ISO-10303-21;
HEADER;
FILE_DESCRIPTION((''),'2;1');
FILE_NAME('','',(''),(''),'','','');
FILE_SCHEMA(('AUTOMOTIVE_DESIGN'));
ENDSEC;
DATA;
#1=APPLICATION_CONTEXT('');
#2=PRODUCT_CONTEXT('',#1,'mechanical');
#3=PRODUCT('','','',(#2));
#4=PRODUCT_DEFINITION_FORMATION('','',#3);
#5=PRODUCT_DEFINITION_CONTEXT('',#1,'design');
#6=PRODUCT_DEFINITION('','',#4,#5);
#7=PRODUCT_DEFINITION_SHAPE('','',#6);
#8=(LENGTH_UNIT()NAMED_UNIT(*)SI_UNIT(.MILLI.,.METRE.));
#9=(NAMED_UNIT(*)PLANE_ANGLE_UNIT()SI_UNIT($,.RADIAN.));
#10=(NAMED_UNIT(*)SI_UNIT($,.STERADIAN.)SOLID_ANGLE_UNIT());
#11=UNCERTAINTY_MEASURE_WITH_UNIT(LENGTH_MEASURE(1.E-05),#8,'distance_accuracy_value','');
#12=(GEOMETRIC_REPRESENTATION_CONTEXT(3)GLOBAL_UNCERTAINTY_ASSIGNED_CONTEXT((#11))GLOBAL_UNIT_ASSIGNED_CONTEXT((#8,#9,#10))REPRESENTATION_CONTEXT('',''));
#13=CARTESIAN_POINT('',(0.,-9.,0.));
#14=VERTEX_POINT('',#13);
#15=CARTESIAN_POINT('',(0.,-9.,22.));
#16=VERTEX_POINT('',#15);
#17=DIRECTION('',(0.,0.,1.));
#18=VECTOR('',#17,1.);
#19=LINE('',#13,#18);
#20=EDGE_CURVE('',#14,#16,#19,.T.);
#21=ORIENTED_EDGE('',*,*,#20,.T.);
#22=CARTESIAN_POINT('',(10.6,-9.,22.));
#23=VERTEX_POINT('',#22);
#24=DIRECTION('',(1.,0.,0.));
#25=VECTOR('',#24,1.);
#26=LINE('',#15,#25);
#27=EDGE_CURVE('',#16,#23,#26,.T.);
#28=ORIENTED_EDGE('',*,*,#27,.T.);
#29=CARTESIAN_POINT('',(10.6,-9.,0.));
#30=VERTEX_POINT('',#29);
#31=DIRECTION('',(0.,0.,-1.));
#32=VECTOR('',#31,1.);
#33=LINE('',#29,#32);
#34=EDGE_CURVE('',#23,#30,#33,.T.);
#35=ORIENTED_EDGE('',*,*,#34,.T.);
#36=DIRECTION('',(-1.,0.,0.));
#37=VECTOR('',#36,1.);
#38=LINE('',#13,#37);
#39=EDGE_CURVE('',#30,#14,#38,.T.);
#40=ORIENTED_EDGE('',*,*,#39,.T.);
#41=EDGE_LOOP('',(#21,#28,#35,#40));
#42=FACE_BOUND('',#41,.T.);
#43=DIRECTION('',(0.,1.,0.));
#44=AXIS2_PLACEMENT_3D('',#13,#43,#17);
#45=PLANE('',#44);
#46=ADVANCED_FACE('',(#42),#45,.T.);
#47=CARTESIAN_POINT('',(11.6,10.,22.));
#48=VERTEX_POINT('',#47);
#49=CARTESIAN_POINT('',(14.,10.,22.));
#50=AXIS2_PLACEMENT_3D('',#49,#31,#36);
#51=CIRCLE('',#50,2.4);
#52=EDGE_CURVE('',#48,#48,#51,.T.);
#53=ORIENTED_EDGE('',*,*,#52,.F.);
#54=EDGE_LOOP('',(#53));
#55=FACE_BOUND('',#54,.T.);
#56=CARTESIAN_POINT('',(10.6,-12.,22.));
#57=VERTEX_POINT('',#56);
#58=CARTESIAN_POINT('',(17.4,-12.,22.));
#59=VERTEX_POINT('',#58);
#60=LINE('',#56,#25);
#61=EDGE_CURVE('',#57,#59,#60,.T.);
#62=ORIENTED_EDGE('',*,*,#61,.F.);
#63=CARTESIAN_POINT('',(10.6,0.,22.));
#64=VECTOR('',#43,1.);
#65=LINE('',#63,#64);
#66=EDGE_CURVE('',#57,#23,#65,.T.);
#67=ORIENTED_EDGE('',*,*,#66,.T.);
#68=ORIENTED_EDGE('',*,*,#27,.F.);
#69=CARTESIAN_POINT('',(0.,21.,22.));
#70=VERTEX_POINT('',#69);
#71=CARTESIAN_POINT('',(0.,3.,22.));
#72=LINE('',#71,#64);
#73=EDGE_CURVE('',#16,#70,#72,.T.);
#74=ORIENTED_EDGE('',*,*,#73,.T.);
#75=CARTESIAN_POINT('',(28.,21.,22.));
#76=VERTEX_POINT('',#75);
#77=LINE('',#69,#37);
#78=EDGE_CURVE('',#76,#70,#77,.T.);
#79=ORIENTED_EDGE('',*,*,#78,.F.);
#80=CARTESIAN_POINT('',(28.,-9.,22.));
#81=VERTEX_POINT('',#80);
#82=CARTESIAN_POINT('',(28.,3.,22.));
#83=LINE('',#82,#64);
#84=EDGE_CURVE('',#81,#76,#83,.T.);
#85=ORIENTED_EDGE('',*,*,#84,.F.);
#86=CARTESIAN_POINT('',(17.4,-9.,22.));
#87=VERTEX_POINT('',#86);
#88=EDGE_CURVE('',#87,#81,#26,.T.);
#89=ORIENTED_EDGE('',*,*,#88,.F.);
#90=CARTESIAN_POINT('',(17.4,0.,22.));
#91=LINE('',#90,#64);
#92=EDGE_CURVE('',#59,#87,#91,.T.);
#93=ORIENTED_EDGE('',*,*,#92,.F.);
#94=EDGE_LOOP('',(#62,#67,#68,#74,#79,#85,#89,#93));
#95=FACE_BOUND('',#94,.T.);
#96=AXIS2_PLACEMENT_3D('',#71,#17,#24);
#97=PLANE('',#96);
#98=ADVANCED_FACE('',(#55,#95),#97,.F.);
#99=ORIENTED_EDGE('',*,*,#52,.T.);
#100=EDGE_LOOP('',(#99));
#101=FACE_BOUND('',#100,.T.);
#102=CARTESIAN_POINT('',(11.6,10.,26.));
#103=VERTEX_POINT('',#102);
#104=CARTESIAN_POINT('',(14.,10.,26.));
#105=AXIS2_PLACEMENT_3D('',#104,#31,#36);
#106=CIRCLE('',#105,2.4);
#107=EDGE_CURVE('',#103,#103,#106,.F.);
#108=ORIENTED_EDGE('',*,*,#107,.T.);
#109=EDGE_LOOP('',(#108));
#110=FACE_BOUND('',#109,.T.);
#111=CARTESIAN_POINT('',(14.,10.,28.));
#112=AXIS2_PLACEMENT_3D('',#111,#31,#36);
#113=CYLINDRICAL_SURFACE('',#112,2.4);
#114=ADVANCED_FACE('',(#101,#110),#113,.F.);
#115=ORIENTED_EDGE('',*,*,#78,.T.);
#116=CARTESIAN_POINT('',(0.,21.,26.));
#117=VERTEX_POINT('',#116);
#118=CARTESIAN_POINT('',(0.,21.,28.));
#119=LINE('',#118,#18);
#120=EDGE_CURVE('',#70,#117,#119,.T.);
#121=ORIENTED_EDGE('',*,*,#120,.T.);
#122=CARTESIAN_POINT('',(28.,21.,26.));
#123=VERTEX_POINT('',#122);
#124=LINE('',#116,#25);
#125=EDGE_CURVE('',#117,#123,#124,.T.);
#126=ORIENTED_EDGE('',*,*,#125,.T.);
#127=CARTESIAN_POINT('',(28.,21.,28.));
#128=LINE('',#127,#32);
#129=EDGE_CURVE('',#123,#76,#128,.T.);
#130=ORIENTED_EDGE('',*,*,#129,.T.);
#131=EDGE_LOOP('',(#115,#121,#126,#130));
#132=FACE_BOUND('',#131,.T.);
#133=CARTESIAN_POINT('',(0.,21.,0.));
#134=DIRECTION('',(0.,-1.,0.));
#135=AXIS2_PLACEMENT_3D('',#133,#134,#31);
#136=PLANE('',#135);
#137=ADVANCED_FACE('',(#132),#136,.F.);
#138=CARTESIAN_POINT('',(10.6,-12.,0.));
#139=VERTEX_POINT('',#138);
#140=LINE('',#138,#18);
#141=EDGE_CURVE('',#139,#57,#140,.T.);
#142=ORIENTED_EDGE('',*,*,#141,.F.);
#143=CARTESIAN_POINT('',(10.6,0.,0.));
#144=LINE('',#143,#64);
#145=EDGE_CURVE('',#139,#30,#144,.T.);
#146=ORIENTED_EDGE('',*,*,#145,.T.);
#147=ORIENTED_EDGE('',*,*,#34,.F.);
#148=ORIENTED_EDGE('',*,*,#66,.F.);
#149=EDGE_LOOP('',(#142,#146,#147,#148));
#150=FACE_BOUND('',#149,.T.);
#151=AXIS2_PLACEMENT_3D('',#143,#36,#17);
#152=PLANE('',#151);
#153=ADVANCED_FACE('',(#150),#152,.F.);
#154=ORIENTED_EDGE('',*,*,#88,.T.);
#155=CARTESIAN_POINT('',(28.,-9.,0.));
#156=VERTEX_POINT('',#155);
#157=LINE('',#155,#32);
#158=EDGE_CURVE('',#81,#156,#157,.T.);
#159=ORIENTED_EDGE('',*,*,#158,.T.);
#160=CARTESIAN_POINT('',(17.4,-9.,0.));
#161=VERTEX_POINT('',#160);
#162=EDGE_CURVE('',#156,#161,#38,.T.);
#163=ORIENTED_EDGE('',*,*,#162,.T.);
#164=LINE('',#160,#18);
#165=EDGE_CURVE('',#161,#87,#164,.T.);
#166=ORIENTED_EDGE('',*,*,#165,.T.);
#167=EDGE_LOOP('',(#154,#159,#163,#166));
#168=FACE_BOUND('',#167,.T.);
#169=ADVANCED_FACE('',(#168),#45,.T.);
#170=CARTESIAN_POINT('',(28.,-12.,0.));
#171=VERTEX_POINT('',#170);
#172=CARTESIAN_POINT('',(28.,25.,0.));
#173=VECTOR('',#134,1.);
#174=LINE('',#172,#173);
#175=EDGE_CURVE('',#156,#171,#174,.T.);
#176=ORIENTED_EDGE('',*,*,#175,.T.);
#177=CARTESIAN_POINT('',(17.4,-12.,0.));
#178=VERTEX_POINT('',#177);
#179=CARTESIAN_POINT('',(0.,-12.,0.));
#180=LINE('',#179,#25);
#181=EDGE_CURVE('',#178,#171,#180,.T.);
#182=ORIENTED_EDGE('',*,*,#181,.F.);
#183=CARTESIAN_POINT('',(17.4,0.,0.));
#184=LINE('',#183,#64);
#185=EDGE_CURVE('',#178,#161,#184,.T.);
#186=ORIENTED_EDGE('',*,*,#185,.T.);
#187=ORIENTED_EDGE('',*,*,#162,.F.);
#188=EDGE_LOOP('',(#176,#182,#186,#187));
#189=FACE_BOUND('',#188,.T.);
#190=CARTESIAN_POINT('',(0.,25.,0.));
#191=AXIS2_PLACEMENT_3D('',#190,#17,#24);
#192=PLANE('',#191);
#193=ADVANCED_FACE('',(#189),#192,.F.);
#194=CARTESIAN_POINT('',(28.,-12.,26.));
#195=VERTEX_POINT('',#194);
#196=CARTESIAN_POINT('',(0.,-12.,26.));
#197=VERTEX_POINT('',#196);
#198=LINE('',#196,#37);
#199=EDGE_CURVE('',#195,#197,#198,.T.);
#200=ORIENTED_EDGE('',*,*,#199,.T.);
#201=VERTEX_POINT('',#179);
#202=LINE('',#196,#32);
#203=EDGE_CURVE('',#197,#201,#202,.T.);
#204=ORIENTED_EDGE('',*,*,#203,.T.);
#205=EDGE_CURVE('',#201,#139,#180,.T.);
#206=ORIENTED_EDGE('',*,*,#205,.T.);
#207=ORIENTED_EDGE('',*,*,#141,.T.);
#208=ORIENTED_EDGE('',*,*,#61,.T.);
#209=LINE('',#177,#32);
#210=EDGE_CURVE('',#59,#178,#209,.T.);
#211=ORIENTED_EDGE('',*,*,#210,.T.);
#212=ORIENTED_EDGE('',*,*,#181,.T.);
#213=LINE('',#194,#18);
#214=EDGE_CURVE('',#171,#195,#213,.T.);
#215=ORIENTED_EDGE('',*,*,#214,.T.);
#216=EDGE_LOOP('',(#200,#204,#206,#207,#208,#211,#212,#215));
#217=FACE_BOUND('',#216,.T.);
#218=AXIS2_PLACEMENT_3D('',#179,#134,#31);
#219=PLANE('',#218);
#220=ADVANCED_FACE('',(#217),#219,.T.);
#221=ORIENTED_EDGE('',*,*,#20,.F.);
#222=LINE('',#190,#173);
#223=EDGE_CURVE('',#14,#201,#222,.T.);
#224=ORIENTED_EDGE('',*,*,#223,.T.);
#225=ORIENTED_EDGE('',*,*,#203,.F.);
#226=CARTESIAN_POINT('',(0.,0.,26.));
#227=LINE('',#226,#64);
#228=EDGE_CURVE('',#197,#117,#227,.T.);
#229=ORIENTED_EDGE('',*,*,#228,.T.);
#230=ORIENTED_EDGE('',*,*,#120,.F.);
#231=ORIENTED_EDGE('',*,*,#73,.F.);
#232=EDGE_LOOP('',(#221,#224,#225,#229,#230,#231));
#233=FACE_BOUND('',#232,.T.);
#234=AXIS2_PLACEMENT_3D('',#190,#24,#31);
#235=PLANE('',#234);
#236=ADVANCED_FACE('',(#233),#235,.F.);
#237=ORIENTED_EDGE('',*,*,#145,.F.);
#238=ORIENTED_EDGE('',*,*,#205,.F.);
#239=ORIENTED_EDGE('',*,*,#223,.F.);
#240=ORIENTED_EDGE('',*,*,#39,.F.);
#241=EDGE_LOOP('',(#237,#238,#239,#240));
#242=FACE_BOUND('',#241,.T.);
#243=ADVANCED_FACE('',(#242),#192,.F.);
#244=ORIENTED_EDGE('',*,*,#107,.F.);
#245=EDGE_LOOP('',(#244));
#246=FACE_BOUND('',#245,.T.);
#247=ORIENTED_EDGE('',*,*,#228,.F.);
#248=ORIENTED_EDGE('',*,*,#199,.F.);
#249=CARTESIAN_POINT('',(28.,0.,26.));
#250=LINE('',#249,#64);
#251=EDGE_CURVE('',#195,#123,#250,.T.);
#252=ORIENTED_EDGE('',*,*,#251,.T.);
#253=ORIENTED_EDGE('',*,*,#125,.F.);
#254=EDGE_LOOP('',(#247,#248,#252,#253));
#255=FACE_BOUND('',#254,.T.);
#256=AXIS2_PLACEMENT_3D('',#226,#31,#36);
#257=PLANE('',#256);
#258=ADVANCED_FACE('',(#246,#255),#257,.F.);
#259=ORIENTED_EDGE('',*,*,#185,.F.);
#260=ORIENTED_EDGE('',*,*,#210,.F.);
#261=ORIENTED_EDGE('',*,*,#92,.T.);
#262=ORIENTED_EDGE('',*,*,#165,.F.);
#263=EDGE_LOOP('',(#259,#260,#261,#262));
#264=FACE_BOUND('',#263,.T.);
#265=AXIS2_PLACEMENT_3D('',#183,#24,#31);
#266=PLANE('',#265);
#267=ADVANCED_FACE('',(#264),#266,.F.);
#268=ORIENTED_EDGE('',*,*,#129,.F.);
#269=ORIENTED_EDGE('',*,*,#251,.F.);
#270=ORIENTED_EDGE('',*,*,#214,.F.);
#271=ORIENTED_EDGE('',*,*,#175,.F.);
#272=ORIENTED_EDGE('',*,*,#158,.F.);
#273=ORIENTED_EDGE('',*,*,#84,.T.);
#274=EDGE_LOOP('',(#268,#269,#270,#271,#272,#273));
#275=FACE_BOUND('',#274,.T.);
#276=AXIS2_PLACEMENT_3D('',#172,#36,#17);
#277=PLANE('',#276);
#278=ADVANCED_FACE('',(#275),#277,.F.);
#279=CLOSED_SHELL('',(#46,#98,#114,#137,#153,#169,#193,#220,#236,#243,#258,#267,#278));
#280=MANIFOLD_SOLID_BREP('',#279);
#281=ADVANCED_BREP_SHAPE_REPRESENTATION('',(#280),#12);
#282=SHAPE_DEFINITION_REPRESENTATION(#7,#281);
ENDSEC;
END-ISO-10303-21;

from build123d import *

# Parameters (mm, degrees)
SKETCH1_W           = 28
SKETCH1_H           = 28
BOSS_EXTRUDE1_DEPTH = 25
SKETCH2_W           = 28
SKETCH2_H           = 22
CUT_EXTRUDE1_DEPTH  = 22
SKETCH3_W           = 6.8
SKETCH3_H           = 22
CUT_EXTRUDE2_DEPTH  = 46.299006612
SKETCH4_R           = 2.4
CUT_EXTRUDE3_DEPTH  = 44.508619836
SKETCH5_W           = 28
SKETCH5_H           = 6
CUT_EXTRUDE4_DEPTH  = 4
SKETCH6_W           = 2
SKETCH6_H           = 21
CUT_EXTRUDE5_DEPTH  = 45.821869662
SKETCH7_W           = 28
SKETCH7_H           = 26
BOSS_EXTRUDE2_DEPTH = 12
SKETCH9_W           = 6.8
SKETCH9_H           = 22
CUT_EXTRUDE6_DEPTH  = 12
SKETCH10_W          = 28
SKETCH10_H          = 22
CUT_EXTRUDE7_DEPTH  = 12


with BuildPart() as part:
    # Sketch1 → Boss-Extrude1 (new body)
    with BuildSketch(Plane(origin=(0, 0, 0), x_dir=(1, 0, 0), z_dir=(0, 1, 0))):
        with Locations((14, -14)):
            Rectangle(SKETCH1_W, SKETCH1_H)
    extrude(amount=BOSS_EXTRUDE1_DEPTH)

    # Sketch2 → Cut-Extrude1 (cut)
    with BuildSketch(Plane(origin=(0, 25, 0), x_dir=(1, 0, 0), z_dir=(0, 1, 0))):
        with Locations((14, -11)):
            Rectangle(SKETCH2_W, SKETCH2_H)
    extrude(amount=-CUT_EXTRUDE1_DEPTH, mode=Mode.SUBTRACT)

    # Sketch3 → Cut-Extrude2 (cut, through all)
    with BuildSketch(Plane(origin=(0, 3, 0), x_dir=(1, 0, 0), z_dir=(0, 1, 0))):
        with Locations((14, -11)):
            Rectangle(SKETCH3_W, SKETCH3_H)
    extrude(amount=-CUT_EXTRUDE2_DEPTH, mode=Mode.SUBTRACT)

    # Sketch4 → Cut-Extrude3 (cut, through all)
    with BuildSketch(Plane(origin=(0, 0, 22), x_dir=(-1, 0, 0), z_dir=(0, 0, -1))):
        with Locations((-14, 10)):
            Circle(SKETCH4_R)
    extrude(amount=-CUT_EXTRUDE3_DEPTH, mode=Mode.SUBTRACT)

    # Sketch5 → Cut-Extrude4 (cut)
    with BuildSketch(Plane(origin=(0, 25, 0), x_dir=(1, 0, 0), z_dir=(0, 1, 0))):
        with Locations((14, -25)):
            Rectangle(SKETCH5_W, SKETCH5_H)
    extrude(amount=-CUT_EXTRUDE4_DEPTH, mode=Mode.SUBTRACT)

    # Sketch6 → Cut-Extrude5 (cut, through all)
    with BuildSketch(Plane(origin=(28, 0, 0), x_dir=(0, 0, -1), z_dir=(1, 0, 0))):
        with Locations((-27, 10.5)):
            Rectangle(SKETCH6_W, SKETCH6_H)
    extrude(amount=-CUT_EXTRUDE5_DEPTH, mode=Mode.SUBTRACT)

    # Sketch7 → Boss-Extrude2 (add)
    with BuildSketch(Plane.XZ):
        with Locations((14, 13)):
            Rectangle(SKETCH7_W, SKETCH7_H)
    extrude(amount=BOSS_EXTRUDE2_DEPTH)

    # Sketch9 → Cut-Extrude6 (cut)
    with BuildSketch(Plane(origin=(0, 0, 0), x_dir=(1, 0, 0), z_dir=(0, 1, 0))):
        with Locations((14, -11)):
            Rectangle(SKETCH9_W, SKETCH9_H)
    extrude(amount=-CUT_EXTRUDE6_DEPTH, mode=Mode.SUBTRACT)

    # Sketch10 → Cut-Extrude7 (cut)
    with BuildSketch(Plane(origin=(0, 3, 0), x_dir=(1, 0, 0), z_dir=(0, 1, 0))):
        with Locations((14, -11)):
            Rectangle(SKETCH10_W, SKETCH10_H)
    extrude(amount=-CUT_EXTRUDE7_DEPTH, mode=Mode.SUBTRACT)


solid = part.part
